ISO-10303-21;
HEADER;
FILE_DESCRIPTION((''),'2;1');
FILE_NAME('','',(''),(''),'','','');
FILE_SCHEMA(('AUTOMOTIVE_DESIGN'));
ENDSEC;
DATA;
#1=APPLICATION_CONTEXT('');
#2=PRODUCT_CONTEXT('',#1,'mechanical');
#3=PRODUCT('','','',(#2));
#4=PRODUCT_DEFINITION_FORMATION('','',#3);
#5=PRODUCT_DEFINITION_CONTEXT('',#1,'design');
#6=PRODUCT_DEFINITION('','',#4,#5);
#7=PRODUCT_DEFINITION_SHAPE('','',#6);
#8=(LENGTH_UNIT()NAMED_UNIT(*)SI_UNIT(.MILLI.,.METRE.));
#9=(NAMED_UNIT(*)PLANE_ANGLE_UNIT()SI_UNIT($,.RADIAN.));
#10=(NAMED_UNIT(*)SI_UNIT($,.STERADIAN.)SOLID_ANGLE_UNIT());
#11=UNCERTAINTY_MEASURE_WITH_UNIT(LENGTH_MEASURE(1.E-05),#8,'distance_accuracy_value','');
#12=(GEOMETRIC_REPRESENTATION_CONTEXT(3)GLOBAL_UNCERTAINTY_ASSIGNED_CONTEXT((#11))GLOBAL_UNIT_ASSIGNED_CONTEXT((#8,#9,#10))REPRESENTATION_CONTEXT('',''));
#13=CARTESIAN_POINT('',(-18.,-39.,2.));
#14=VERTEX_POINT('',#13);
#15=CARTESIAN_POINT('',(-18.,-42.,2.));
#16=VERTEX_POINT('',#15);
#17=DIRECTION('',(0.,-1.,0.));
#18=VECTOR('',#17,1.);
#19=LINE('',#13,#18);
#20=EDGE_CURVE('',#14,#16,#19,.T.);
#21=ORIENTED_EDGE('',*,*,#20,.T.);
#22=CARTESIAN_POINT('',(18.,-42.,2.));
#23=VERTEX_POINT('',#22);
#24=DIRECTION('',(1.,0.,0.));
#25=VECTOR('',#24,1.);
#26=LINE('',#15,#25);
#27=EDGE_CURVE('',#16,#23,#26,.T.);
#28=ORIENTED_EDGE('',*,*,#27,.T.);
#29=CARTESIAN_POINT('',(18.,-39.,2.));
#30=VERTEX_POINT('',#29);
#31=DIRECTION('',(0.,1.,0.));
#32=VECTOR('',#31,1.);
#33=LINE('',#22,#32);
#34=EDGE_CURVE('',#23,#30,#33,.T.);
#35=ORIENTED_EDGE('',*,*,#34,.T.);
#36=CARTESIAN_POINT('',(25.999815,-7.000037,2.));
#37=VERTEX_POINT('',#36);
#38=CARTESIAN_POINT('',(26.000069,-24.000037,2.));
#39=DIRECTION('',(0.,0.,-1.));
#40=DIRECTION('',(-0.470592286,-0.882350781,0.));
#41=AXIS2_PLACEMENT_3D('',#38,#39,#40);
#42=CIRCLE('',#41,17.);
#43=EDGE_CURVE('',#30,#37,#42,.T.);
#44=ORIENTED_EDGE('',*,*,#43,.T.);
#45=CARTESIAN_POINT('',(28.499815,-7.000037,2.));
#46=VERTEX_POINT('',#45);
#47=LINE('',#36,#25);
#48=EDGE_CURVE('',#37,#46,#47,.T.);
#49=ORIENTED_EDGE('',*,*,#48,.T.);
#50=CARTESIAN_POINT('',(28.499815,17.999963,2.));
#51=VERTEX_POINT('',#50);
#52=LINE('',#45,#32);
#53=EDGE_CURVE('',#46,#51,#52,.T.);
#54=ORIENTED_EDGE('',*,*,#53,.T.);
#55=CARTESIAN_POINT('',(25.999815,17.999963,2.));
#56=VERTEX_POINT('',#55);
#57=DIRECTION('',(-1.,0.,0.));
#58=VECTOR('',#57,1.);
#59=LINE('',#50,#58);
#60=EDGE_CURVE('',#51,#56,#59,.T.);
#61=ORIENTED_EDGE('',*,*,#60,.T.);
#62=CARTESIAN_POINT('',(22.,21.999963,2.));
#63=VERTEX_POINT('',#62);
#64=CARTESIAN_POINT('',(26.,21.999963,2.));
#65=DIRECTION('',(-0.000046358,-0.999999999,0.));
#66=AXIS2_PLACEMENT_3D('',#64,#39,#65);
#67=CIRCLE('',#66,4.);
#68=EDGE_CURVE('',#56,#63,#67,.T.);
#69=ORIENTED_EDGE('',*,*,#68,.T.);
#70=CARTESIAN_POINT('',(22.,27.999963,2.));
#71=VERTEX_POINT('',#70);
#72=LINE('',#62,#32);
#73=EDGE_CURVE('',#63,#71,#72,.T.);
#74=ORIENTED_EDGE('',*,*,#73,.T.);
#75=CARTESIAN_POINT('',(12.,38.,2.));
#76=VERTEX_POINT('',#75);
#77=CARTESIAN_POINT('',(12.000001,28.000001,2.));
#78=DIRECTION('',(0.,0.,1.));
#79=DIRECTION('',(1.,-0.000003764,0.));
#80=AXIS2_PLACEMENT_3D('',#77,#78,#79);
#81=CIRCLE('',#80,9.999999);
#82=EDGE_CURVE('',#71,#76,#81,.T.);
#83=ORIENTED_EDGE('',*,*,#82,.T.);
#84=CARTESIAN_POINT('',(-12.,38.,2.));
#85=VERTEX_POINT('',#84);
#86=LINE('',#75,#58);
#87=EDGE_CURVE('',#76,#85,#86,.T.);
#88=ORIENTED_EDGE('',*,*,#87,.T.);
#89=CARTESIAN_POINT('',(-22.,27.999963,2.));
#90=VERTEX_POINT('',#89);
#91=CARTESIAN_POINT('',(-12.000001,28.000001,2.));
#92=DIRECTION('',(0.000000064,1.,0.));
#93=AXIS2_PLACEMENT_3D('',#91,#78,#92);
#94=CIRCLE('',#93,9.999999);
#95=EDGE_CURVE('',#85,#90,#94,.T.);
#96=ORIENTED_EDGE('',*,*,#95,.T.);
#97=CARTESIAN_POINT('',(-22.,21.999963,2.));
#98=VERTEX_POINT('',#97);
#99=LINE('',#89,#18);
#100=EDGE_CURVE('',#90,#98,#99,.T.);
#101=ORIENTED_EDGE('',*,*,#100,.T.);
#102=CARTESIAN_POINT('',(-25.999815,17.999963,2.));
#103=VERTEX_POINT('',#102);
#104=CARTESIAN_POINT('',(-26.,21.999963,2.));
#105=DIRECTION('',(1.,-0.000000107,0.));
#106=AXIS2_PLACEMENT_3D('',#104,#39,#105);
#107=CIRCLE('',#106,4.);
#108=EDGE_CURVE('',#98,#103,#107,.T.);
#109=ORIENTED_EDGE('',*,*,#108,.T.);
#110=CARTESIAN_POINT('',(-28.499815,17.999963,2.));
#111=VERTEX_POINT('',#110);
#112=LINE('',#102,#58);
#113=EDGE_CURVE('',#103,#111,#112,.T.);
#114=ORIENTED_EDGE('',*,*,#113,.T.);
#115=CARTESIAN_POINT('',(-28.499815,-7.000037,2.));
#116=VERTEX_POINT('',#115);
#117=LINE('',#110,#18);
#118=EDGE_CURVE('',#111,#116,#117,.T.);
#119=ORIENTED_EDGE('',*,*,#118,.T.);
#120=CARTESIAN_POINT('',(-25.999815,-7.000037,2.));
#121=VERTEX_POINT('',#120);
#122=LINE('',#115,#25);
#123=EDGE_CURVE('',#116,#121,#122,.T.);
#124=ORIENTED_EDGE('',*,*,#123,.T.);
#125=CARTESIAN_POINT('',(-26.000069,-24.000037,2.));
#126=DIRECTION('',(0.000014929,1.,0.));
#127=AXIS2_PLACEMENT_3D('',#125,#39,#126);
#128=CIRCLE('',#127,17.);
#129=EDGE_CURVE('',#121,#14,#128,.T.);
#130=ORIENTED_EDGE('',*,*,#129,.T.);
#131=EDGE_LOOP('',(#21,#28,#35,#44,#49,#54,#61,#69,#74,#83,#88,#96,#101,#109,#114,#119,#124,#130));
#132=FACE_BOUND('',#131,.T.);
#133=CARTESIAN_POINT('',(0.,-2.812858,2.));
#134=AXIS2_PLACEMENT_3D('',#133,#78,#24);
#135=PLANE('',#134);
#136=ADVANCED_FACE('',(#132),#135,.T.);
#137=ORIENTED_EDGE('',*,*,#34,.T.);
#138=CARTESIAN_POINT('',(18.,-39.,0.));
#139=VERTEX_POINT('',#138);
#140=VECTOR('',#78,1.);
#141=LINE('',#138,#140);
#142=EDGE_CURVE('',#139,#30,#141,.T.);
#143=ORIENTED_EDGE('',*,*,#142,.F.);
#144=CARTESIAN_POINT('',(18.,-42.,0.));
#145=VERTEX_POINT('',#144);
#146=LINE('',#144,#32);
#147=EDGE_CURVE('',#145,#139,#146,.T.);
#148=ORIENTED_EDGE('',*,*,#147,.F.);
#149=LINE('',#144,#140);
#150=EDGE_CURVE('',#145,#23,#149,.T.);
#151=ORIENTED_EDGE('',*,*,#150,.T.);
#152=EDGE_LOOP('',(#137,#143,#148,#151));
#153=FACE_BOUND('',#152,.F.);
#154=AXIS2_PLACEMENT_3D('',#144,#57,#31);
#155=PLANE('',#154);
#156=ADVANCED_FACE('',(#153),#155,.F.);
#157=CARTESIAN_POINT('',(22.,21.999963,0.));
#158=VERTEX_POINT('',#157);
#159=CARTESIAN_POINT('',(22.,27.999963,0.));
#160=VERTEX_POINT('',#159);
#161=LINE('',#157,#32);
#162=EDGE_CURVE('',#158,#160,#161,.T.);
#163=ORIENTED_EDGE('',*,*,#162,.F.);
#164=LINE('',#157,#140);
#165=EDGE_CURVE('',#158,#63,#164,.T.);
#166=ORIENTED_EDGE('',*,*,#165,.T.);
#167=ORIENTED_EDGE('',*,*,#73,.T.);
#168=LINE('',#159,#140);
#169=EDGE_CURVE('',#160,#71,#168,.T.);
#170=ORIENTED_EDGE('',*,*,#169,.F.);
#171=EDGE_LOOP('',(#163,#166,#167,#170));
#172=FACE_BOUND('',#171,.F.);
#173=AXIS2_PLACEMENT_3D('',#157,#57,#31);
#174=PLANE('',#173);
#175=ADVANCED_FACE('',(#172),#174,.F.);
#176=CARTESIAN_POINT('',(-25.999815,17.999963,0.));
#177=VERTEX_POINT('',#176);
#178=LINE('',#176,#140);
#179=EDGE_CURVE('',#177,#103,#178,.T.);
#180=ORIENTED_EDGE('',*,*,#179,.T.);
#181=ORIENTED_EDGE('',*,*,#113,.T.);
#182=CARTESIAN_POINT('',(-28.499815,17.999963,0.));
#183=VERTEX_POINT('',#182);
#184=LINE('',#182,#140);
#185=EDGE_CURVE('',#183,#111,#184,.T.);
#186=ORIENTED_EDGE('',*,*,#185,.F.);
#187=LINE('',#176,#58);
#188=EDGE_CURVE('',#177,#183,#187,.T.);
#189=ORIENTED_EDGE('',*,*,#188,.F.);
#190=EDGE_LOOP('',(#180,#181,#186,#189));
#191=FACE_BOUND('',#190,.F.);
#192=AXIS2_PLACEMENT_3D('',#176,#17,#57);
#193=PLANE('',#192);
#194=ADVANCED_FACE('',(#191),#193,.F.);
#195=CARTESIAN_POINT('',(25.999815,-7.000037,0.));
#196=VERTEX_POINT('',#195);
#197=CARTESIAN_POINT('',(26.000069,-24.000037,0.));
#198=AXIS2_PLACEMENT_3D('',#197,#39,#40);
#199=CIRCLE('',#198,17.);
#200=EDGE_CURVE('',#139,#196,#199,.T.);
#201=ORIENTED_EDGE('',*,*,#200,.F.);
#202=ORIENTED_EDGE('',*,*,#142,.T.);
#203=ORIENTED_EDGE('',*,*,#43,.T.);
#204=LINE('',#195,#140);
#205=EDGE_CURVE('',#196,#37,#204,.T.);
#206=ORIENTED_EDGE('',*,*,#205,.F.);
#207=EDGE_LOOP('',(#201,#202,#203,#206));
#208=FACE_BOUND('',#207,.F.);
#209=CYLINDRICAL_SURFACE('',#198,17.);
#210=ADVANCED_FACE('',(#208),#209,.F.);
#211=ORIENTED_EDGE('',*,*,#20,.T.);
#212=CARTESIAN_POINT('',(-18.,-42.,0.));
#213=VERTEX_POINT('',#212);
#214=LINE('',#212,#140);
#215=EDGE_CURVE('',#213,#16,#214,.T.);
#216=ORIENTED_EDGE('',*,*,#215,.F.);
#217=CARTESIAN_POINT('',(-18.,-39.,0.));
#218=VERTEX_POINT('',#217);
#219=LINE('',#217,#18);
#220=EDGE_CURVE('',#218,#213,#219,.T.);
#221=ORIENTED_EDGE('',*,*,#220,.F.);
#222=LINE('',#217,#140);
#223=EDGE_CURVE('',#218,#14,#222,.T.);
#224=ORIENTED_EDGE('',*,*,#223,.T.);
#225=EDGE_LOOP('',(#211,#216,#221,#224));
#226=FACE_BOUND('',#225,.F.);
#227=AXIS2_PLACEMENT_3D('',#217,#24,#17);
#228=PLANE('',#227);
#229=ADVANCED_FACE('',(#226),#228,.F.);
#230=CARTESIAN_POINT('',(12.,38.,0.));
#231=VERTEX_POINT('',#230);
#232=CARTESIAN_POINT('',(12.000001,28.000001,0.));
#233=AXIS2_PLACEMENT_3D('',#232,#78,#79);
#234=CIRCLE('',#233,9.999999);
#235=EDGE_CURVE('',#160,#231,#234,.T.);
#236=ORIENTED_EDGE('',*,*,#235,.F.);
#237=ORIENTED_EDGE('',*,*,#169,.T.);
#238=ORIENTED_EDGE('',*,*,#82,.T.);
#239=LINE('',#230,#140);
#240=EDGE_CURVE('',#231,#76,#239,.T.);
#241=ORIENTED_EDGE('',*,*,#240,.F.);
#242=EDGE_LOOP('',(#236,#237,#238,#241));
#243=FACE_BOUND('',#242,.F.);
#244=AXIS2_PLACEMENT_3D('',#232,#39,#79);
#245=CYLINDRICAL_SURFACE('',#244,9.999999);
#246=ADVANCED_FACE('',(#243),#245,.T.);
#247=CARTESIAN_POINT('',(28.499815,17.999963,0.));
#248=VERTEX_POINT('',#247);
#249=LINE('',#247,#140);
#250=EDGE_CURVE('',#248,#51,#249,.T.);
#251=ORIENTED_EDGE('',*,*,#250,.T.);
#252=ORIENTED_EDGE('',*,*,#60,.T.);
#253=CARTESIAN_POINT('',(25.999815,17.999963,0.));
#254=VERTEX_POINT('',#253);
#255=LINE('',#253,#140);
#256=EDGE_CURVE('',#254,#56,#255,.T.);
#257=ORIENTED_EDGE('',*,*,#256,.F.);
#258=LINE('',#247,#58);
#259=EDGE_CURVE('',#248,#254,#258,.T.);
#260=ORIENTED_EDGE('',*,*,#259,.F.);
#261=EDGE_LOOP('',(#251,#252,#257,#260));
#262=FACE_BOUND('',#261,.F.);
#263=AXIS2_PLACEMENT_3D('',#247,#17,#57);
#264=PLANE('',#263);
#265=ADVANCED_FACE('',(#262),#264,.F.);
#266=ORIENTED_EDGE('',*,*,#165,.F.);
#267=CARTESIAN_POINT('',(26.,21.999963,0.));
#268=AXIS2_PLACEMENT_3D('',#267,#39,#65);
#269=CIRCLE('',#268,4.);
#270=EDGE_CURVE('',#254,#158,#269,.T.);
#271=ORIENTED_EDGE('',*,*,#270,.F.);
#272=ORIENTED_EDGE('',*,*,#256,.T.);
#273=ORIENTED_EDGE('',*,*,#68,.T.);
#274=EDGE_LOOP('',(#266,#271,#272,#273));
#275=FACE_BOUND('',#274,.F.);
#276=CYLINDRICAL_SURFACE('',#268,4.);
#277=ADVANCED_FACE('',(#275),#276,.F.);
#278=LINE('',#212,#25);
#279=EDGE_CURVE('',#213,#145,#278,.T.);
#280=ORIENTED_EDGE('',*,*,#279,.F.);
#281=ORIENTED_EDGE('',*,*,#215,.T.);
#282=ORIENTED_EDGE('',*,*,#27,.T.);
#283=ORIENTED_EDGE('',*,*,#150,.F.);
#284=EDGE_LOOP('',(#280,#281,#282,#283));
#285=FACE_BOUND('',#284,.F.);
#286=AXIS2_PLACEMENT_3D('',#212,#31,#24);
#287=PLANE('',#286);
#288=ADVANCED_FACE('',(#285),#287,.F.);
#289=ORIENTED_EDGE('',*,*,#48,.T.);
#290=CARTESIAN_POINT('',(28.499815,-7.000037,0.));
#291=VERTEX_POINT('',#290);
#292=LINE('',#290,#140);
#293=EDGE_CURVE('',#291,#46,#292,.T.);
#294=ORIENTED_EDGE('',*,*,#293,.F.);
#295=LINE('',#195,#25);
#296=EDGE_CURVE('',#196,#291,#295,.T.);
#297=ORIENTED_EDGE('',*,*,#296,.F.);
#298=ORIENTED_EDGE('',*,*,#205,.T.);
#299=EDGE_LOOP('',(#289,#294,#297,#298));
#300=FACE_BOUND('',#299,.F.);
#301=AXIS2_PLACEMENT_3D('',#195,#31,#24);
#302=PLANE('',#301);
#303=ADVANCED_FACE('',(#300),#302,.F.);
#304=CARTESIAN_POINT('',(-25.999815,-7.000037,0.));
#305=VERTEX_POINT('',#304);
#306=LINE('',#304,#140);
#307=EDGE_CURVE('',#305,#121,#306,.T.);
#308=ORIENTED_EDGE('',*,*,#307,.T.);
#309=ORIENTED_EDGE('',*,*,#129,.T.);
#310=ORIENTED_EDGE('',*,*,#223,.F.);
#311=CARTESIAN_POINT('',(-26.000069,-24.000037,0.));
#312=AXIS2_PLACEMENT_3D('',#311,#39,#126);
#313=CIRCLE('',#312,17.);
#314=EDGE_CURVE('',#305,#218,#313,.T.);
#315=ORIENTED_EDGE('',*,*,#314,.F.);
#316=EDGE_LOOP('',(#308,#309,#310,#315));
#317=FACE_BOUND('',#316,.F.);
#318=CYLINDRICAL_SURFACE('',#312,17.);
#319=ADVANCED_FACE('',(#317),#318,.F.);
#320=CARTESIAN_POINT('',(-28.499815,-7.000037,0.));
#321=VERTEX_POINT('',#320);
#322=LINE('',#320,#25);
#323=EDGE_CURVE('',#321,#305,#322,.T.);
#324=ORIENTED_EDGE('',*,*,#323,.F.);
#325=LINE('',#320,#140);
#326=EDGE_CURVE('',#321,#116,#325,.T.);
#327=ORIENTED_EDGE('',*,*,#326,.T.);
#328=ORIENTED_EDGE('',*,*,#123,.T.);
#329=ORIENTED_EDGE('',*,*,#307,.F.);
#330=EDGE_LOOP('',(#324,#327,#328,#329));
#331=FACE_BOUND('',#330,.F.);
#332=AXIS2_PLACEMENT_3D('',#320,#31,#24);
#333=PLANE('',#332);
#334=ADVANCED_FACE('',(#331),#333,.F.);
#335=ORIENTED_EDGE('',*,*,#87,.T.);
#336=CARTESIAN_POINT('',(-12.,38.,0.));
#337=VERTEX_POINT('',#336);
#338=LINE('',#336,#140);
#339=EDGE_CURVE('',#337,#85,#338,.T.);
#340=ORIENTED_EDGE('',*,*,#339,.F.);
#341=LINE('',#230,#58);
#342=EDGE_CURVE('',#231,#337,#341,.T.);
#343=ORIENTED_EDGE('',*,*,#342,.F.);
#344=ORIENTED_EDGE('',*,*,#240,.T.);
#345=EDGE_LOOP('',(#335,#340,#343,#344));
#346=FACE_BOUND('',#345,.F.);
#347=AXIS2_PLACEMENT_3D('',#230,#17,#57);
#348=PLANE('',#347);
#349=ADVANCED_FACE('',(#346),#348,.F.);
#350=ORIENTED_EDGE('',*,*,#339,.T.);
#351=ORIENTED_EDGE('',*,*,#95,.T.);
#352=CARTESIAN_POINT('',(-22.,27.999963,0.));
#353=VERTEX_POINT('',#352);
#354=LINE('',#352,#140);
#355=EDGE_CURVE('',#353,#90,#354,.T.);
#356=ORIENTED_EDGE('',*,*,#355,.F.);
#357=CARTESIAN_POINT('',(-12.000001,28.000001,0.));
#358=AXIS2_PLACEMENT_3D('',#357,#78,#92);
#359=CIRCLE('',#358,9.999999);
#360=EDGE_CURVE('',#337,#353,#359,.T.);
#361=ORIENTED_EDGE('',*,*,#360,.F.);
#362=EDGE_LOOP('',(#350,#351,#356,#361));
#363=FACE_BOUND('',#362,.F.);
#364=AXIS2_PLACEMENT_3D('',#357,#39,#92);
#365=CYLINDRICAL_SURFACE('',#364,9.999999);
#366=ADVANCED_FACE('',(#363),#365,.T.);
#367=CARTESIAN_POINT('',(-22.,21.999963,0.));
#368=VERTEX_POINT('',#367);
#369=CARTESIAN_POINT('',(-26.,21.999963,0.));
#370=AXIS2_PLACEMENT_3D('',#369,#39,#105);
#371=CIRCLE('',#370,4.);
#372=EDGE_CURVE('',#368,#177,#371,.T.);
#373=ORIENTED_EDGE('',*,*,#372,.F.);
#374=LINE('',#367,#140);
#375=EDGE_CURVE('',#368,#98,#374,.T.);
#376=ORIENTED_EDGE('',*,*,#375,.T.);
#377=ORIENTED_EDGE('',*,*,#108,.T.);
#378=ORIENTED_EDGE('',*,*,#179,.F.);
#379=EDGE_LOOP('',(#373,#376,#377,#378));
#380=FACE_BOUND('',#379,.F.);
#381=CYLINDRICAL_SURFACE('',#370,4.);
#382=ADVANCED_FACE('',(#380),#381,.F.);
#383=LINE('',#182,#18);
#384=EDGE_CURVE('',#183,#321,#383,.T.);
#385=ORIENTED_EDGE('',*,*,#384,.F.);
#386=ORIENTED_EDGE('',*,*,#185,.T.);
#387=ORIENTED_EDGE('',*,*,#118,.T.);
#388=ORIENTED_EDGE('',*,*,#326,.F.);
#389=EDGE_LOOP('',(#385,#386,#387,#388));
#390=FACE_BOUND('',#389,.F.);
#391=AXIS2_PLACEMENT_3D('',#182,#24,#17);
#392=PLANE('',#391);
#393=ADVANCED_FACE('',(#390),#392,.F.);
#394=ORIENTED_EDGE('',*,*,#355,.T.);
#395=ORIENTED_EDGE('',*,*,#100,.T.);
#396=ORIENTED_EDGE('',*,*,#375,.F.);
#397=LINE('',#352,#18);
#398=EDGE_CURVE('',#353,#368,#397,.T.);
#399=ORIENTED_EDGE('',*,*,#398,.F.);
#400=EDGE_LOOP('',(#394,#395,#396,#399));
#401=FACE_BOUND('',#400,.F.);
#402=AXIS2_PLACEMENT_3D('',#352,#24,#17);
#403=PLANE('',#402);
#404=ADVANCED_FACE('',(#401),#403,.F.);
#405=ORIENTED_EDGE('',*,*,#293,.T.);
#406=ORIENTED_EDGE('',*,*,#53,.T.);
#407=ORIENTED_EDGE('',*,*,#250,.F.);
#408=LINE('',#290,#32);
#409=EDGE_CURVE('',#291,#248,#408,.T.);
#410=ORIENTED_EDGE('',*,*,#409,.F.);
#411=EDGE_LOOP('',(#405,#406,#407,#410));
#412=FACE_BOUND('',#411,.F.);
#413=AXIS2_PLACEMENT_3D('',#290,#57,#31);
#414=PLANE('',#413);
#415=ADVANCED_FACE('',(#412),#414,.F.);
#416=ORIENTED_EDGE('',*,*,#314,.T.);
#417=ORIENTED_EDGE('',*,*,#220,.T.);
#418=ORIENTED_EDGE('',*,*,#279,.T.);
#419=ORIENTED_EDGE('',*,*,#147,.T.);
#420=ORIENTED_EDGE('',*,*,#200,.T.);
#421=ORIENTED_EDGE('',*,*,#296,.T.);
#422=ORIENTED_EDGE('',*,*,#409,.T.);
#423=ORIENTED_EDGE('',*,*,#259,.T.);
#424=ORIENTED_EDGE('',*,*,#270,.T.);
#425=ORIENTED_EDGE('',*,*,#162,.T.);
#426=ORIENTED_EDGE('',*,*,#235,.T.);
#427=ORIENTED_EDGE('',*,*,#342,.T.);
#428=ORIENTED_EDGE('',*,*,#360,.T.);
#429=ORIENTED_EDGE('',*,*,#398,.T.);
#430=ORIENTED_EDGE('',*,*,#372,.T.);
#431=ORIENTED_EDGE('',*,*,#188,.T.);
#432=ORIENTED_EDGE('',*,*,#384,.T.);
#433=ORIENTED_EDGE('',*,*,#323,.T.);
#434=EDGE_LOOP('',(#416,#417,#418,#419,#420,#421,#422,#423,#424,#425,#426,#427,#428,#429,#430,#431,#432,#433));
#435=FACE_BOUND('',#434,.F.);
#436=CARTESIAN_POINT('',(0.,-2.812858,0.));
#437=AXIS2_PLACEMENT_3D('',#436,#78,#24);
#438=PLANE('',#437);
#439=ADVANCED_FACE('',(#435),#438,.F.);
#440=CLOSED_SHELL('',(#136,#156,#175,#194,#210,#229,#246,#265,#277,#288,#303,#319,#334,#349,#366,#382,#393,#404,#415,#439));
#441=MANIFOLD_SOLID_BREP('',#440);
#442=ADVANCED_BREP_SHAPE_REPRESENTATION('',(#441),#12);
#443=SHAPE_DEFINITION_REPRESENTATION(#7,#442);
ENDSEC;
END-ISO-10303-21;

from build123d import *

# Parameters (mm, degrees)
F1_DEPTH = 2


with BuildPart() as f1:
    # F0 (on Top) → F1 (new body)
    with BuildSketch(Plane.XY):
        with BuildLine():
            Line((12, 38), (0, 38))
            Line((0, 38), (-12, 38))
            ThreePointArc((-12, 38), (-19.071081, 35.071055), (-22, 27.999963))
            Line((-22, 27.999963), (-22, 21.999963))
            ThreePointArc((-22, 21.999963), (-23.171507, 19.171602), (-25.999815, 17.999963))
            Line((-25.999815, 17.999963), (-28.499815, 17.999963))
            Line((-28.499815, 17.999963), (-28.499815, -7.000037))
            Line((-28.499815, -7.000037), (-25.999815, -7.000037))
            ThreePointArc((-25.999815, -7.000037), (-9.507625, -19.877017), (-18, -39))
            Line((-18, -39), (-18, -42))
            Line((-18, -42), (0, -42))
            Line((0, -42), (18, -42))
            Line((18, -42), (18, -39))
            ThreePointArc((18, -39), (9.507625, -19.877017), (25.999815, -7.000037))
            Line((25.999815, -7.000037), (28.499815, -7.000037))
            Line((28.499815, -7.000037), (28.499815, 17.999963))
            Line((28.499815, 17.999963), (25.999815, 17.999963))
            ThreePointArc((25.999815, 17.999963), (23.171507, 19.171602), (22, 21.999963))
            Line((22, 21.999963), (22, 27.999963))
            ThreePointArc((22, 27.999963), (19.071081, 35.071055), (12, 38))
        make_face()
    extrude(amount=F1_DEPTH)


solid = f1.part
